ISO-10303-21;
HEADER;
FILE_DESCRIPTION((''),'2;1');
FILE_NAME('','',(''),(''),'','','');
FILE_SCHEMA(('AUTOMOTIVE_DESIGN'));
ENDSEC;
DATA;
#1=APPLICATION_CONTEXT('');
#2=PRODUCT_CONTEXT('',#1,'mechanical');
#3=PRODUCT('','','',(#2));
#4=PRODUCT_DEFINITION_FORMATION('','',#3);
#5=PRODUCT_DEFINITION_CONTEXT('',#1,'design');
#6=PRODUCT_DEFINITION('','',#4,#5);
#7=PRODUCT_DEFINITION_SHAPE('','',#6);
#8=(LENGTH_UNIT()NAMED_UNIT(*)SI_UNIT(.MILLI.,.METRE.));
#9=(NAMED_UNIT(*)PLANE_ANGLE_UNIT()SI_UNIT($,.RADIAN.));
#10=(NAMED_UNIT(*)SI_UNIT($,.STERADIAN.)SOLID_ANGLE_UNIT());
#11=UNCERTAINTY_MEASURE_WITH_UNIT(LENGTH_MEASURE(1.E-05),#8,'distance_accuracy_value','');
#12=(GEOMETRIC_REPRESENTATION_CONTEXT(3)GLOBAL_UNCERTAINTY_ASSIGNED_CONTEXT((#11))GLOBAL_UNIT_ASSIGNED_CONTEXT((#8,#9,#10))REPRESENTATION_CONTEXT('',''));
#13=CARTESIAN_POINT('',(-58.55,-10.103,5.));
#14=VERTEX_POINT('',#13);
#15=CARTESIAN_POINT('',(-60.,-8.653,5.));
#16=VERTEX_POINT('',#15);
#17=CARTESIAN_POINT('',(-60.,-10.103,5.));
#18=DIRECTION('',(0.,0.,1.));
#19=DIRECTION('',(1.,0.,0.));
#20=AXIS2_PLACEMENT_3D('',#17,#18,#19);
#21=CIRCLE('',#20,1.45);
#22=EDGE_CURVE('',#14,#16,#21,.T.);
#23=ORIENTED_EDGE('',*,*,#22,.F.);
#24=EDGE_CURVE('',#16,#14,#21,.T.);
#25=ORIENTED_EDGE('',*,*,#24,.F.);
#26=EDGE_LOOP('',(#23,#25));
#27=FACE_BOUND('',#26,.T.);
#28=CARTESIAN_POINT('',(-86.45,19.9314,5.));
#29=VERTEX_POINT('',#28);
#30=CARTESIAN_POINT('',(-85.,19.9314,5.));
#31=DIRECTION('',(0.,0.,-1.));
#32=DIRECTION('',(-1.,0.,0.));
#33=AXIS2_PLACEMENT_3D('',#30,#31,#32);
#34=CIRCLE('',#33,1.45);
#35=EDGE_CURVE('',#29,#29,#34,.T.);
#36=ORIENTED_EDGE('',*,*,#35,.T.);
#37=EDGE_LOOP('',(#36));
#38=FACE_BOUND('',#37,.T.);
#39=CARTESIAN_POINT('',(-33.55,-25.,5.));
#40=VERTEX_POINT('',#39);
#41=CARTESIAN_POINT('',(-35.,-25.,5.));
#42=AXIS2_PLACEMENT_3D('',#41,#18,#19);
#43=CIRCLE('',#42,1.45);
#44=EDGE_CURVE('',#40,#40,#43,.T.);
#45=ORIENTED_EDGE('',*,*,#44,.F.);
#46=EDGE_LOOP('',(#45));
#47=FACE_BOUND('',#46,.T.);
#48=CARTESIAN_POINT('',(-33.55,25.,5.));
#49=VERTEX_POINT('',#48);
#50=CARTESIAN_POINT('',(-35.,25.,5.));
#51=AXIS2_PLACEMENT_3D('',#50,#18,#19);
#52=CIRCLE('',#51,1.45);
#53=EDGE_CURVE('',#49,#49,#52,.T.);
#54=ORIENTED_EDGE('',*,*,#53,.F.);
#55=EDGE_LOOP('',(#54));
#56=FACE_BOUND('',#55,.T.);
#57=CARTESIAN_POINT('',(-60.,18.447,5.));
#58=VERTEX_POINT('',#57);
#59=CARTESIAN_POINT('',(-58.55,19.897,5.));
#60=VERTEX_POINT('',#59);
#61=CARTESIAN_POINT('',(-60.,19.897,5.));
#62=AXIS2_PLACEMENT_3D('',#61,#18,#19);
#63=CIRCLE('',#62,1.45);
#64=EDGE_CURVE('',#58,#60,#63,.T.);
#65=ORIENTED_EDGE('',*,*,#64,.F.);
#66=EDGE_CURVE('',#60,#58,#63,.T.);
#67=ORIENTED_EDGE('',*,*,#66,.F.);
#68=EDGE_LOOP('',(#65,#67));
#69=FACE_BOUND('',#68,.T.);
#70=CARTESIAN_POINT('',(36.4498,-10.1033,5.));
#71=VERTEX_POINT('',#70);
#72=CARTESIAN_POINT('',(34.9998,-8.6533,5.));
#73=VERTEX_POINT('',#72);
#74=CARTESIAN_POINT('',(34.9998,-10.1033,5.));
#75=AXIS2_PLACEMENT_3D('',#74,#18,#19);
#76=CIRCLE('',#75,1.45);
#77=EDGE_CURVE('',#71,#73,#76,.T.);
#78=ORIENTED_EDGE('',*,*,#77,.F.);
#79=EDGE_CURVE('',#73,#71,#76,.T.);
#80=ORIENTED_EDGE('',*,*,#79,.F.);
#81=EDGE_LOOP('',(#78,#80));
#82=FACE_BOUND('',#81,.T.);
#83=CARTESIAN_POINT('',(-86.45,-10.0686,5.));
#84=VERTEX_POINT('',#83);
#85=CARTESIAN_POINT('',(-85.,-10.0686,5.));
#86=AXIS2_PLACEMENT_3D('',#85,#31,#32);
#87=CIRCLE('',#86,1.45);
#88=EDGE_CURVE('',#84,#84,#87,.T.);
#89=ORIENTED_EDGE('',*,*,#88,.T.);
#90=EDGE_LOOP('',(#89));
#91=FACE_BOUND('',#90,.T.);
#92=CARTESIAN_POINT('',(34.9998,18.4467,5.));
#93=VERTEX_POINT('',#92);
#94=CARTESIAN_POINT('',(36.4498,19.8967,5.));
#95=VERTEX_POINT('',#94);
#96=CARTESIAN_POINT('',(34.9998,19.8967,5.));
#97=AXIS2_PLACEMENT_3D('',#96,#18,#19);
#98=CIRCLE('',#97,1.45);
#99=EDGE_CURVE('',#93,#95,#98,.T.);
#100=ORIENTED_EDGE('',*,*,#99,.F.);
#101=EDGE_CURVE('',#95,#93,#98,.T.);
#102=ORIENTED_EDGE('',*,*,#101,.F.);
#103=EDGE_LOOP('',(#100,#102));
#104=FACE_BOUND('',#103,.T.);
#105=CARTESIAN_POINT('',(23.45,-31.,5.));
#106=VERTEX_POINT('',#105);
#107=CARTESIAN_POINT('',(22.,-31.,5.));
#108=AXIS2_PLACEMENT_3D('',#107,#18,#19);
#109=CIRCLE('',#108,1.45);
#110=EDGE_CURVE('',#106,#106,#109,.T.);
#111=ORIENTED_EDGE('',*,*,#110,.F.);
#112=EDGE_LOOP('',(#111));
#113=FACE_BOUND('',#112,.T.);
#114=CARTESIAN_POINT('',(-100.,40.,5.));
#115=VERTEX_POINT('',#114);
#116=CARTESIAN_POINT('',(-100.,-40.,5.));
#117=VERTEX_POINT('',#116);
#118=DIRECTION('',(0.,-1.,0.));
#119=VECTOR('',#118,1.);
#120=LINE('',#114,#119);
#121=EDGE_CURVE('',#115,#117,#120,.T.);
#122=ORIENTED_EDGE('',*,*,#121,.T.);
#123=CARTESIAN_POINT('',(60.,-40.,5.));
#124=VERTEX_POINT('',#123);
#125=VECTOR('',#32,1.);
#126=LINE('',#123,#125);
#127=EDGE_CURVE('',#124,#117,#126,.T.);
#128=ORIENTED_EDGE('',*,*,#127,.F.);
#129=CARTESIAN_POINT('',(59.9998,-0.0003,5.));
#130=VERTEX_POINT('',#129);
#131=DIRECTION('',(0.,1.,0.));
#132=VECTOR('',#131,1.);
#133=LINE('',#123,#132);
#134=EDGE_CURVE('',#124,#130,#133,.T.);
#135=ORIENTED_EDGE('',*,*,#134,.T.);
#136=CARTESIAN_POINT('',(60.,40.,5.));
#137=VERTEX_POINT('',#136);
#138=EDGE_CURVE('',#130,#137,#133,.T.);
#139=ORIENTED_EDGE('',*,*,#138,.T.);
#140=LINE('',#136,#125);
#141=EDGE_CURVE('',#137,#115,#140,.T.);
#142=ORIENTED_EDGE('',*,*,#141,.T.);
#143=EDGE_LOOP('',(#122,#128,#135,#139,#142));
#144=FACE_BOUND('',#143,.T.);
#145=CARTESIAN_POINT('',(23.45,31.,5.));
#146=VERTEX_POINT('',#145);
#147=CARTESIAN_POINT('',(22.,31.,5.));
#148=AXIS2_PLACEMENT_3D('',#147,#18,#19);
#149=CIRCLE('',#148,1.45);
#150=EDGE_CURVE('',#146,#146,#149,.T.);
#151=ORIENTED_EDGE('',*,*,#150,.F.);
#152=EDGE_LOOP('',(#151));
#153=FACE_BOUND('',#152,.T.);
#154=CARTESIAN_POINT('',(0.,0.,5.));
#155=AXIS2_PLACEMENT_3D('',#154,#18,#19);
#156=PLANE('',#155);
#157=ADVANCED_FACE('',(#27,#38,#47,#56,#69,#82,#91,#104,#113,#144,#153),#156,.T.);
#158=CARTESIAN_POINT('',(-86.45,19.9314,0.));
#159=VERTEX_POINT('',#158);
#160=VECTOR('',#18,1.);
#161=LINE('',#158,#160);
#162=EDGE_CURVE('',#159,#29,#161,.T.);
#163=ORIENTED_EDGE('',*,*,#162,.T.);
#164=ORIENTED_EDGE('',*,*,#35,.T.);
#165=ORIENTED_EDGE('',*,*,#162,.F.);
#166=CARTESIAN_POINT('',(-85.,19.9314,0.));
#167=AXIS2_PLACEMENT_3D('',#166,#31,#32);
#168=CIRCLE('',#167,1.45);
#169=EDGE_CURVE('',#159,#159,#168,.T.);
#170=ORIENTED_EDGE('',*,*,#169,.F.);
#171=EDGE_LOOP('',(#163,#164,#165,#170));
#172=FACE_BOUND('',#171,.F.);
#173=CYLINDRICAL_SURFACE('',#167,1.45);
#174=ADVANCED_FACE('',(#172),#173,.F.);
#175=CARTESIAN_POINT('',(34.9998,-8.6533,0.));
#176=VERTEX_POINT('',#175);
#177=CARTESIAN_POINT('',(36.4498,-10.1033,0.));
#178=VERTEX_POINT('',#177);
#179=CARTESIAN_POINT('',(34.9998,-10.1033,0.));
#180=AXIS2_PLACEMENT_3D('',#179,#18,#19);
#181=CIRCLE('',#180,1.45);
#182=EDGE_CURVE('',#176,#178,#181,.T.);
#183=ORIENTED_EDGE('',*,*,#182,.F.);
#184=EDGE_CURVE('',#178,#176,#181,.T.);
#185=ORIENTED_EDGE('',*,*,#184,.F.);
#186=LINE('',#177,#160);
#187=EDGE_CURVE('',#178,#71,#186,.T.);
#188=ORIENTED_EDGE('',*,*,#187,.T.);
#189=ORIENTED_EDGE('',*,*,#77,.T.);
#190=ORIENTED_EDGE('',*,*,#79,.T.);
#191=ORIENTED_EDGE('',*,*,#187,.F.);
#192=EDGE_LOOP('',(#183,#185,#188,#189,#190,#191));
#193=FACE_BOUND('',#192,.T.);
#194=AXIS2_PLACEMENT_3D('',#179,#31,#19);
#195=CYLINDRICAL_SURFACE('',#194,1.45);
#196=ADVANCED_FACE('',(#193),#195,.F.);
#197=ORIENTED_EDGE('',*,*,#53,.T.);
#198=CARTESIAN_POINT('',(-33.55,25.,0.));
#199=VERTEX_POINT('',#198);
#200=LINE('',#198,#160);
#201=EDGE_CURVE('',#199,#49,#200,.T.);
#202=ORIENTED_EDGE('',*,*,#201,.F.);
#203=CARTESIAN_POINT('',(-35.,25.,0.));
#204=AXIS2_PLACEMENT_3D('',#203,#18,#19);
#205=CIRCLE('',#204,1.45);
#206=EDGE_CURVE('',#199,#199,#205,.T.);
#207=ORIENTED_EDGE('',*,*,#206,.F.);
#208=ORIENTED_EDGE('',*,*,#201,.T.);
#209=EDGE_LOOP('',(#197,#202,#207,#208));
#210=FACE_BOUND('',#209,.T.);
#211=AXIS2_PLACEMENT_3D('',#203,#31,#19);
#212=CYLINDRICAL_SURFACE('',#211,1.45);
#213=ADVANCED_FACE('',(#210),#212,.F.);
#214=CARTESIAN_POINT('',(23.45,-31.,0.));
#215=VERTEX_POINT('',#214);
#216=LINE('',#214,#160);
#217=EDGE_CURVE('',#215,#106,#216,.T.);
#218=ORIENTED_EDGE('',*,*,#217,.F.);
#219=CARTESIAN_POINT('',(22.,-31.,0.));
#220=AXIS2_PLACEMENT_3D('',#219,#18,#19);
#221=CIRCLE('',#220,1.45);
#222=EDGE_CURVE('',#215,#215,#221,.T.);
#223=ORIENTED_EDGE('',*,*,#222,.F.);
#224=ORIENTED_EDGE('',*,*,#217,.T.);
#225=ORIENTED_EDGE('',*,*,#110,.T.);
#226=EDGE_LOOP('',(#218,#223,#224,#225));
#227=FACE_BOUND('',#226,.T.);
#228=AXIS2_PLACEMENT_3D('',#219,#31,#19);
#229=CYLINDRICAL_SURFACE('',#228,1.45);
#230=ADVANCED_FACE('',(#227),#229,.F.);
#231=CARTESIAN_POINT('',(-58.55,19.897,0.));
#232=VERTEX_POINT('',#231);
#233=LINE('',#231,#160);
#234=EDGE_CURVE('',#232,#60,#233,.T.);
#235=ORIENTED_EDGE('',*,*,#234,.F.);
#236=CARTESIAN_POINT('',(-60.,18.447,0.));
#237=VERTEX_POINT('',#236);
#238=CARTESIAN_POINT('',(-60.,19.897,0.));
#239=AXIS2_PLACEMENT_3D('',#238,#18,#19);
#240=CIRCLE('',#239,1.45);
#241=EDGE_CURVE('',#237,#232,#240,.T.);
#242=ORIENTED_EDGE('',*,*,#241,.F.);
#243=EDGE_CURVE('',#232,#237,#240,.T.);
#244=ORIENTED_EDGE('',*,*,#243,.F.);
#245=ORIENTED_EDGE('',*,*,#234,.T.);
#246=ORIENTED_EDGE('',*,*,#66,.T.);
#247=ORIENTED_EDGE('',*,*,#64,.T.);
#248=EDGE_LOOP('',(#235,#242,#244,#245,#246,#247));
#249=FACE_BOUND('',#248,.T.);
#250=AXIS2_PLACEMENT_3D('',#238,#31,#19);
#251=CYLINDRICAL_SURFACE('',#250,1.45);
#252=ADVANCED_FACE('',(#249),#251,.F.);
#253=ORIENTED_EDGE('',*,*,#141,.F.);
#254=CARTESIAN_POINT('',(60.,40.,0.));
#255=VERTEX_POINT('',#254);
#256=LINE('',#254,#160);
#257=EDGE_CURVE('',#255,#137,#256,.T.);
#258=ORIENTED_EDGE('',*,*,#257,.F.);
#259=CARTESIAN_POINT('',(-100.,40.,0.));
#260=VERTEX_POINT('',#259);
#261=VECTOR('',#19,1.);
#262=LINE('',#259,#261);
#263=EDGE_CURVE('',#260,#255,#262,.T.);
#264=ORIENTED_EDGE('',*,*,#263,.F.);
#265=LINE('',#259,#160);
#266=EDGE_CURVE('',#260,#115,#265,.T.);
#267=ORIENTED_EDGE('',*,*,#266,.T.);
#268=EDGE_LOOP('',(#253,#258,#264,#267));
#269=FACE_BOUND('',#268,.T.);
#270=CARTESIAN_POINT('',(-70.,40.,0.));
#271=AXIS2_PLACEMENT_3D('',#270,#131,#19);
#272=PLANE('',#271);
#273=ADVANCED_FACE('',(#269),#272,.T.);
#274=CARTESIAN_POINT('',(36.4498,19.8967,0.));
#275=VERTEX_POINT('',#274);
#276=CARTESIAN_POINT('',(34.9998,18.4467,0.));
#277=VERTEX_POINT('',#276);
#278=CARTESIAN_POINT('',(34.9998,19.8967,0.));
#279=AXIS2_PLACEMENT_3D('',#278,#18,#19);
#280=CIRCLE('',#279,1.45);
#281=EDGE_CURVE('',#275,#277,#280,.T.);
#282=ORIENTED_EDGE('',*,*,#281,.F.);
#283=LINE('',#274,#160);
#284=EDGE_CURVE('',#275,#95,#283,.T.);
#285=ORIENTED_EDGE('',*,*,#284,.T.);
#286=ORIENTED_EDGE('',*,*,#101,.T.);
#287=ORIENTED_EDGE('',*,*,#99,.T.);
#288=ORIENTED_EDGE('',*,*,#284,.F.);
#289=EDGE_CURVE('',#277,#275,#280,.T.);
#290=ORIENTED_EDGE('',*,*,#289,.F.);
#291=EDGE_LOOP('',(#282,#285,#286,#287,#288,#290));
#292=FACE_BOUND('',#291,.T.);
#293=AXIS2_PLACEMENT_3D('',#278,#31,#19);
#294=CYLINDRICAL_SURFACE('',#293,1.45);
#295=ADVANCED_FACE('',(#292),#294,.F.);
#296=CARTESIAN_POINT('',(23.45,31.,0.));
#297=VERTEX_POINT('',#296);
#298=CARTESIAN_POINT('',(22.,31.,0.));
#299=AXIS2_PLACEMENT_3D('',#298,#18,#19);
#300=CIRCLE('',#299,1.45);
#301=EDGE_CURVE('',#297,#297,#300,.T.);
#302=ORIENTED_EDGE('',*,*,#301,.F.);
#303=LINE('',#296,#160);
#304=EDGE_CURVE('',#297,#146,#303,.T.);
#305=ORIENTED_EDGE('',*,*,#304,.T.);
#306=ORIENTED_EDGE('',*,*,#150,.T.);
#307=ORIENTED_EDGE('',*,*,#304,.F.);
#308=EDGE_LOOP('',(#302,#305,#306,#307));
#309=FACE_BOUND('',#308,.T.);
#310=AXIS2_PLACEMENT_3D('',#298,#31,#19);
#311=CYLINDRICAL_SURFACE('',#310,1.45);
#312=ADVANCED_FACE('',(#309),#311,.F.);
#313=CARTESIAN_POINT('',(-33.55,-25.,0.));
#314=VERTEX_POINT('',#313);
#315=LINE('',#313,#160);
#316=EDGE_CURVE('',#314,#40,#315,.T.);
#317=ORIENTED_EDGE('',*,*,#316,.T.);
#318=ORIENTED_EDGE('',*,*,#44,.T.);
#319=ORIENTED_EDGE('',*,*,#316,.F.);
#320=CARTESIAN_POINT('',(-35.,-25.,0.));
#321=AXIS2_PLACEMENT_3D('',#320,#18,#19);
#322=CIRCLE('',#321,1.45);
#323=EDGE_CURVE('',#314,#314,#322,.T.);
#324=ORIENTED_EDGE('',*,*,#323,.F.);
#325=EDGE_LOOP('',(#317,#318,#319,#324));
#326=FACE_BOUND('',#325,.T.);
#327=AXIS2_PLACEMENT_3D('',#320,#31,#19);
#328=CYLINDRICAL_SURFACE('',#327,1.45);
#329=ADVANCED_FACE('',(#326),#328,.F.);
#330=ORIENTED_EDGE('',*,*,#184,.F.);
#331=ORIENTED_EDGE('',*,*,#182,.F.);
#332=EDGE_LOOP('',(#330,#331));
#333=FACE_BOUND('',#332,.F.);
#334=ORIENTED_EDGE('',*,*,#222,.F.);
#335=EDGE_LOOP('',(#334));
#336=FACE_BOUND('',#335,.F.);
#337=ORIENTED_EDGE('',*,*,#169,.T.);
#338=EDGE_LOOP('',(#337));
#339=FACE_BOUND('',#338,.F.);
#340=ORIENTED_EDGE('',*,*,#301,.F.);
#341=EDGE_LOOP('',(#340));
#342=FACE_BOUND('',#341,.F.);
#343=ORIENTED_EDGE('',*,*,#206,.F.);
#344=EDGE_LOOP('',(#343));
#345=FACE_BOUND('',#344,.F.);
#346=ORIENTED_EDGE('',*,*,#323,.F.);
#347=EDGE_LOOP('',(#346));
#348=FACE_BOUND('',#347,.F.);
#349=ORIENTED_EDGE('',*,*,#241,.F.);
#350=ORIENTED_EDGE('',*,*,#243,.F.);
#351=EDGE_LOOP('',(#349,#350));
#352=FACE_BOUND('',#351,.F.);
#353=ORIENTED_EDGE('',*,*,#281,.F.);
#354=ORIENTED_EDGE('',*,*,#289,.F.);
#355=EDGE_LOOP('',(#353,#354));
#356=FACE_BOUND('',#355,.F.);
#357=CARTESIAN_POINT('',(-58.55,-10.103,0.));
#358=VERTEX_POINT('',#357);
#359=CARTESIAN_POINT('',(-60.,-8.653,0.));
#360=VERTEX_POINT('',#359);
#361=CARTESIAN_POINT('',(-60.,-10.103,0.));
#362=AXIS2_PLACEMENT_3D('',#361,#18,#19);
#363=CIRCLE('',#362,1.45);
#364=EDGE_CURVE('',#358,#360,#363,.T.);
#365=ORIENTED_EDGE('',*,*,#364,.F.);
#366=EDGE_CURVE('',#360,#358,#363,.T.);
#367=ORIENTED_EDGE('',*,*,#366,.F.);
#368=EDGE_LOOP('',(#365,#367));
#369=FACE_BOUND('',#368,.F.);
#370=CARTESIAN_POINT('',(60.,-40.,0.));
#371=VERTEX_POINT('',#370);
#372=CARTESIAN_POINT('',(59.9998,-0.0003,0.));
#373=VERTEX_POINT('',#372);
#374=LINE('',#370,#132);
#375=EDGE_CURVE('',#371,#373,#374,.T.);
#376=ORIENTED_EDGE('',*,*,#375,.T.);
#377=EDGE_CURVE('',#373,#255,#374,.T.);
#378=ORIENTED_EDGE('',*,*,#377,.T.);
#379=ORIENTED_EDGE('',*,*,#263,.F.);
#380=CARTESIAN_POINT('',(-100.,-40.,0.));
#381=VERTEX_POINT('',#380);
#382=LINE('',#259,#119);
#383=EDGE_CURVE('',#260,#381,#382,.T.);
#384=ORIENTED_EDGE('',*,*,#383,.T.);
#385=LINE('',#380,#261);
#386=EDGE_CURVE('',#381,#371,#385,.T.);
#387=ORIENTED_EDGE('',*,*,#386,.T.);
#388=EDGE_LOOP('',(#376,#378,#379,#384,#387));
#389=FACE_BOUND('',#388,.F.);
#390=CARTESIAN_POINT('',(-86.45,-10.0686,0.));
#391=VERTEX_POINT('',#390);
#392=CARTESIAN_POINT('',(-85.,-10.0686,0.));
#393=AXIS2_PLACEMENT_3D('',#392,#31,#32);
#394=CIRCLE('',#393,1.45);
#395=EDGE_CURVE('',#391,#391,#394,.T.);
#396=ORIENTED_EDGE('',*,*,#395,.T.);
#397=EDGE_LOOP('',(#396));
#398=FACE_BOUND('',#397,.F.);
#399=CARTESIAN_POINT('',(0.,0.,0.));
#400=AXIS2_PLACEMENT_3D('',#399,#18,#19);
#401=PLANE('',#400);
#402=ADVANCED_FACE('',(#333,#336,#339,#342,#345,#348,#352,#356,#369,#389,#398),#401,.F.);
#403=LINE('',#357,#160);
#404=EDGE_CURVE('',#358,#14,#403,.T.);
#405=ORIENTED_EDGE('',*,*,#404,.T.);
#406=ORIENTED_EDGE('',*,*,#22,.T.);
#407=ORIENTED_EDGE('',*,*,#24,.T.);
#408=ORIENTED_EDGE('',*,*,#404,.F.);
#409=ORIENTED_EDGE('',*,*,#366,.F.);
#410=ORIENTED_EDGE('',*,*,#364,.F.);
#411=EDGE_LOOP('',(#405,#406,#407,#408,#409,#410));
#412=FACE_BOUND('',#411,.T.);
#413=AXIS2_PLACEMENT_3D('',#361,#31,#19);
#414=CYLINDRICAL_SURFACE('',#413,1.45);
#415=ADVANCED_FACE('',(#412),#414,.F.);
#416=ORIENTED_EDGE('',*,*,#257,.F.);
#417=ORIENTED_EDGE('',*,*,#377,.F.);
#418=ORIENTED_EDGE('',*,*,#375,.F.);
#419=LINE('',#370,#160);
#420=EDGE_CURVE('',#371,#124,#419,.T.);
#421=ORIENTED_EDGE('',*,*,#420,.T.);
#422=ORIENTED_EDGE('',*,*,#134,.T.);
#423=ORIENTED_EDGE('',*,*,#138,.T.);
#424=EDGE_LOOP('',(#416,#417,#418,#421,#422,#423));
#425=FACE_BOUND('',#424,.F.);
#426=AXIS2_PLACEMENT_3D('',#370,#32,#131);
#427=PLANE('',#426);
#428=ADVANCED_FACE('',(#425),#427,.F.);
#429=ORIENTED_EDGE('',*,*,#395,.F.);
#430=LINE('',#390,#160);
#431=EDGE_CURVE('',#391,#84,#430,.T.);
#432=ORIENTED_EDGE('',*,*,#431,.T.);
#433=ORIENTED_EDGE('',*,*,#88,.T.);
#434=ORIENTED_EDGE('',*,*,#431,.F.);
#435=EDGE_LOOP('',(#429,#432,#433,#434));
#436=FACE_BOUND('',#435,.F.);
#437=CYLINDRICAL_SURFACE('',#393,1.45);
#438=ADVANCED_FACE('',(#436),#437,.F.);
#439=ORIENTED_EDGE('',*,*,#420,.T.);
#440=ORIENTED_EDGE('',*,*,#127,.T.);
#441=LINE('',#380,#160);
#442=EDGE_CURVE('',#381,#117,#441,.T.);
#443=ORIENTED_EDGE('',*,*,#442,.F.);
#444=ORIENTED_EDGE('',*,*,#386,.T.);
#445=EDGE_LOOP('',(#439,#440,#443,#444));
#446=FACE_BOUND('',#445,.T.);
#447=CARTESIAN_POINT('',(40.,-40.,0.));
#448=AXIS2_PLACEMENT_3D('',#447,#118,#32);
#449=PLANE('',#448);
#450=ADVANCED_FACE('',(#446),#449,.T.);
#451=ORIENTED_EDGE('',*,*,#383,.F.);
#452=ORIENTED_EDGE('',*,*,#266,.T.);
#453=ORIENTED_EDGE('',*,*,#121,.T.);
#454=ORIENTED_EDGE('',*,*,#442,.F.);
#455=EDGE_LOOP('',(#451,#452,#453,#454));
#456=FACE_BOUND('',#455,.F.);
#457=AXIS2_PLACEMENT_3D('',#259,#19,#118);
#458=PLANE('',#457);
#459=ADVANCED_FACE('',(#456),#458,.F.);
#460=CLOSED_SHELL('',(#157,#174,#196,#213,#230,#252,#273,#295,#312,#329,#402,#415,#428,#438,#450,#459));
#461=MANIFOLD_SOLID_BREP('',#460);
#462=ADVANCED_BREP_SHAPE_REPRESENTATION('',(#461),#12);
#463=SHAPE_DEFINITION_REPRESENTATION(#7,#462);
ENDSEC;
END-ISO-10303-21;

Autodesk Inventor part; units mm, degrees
ref_plane "YZ Plane" through (0, 0, 0) normal (1, 0, 0) x (0, 1, 0)
ref_plane "XZ Plane" through (0, 0, 0) normal (0, 1, 0) x (-1, 0, 0)
ref_plane "XY Plane" through (0, 0, 0) normal (0, 0, 1) x (1, 0, 0)
sketch "Sketch2" plane through (0, 0, 0) normal (0, 0, 1) x (1, 0, 0)
  line L0 (40, -40) -> (-70, -40)
  line L1 (-70, -40) -> (-70, 40)
  line L2 (-70, 40) -> (40, 40)
  circle A0 centre (-35, -25) radius 1 projected
  circle A1 centre (-35, -25) radius 1.45
  circle A2 centre (22, -31) radius 1 projected
  circle A3 centre (22, -31) radius 1.45
  circle A4 centre (22, 31) radius 1 projected
  circle A5 centre (22, 31) radius 1.45
  circle A6 centre (-35, 25) radius 1 projected
  circle A7 centre (-35, 25) radius 1.45
  line L3 (59.9998, -0.0003) -> (34.9998, -0.0003)
  line L4 (34.9998, -0.0003) -> (34.9998, -10.1033)
  line L5 (34.9998, -0.0003) -> (34.9998, 19.8967)
  circle A8 centre (34.9998, -10.1033) radius 1.45
  circle A9 centre (34.9998, 19.8967) radius 1.45
  line L6 (-60, 0) -> (-60, -10.103)
  line L7 (-60, -10.103) -> (-60, 0)
  line L8 (-60, 0) -> (-60, 19.897)
  circle A10 centre (-60, 19.897) radius 1.45
  circle A11 centre (-60, -10.103) radius 1.45
  line L9 (40, -40) -> (60, -40)
  line L10 (60, -40) -> (60, 40)
  line L11 (60, 40) -> (40, 40)
  line L12 (60, -40) -> (60, 0)
  line L13 (-70, 0) -> (-60, 0)
  point P0 (0, 0)
  dimension "d1" = 44.721
  dimension "d2" = 110
  dimension "d3" = 80
  dimension "d4" = 2.9
  dimension "d5" = 2.9
  dimension "d6" = 2.9
  dimension "d7" = 2.9
  dimension "d8" = 25
  dimension "d9" = 10.103
  dimension "d11" = 19.897
  dimension "d12" = 2.9
  dimension "d13" = 2.9
  dimension "d19" = 2.9
  dimension "d20" = 2.9
  dimension "d21" = 20
  dimension "d22" = 10
extrude "Extrusion1" add sketch "Sketch2" along normal blind 5 contours L0 L1 L2 L11 L10 L9
sketch "Sketch3" plane through (0, 0, 0) normal (0, 0, -1) x (-1, 0, 0)
  line L0 (70, 40) -> (70, -40) projected
  line L1 (70, 40) -> (100, 40)
  line L2 (100, 40) -> (100, -40)
  line L3 (100, -40) -> (70, -40)
  line L4 (70, -40) -> (70, 40)
  circle A0 centre (85, 19.9314) radius 1.45
  circle A1 centre (85, -10.0686) radius 1.45
  point P0 (0, 0)
  dimension "d23" = 30
  dimension "d25" = 2.9
  dimension "d26" = 2.9
extrude "Extrusion2" add sketch "Sketch3" against normal up to surface (5 mm away)
properties part number "lidar_plate"
